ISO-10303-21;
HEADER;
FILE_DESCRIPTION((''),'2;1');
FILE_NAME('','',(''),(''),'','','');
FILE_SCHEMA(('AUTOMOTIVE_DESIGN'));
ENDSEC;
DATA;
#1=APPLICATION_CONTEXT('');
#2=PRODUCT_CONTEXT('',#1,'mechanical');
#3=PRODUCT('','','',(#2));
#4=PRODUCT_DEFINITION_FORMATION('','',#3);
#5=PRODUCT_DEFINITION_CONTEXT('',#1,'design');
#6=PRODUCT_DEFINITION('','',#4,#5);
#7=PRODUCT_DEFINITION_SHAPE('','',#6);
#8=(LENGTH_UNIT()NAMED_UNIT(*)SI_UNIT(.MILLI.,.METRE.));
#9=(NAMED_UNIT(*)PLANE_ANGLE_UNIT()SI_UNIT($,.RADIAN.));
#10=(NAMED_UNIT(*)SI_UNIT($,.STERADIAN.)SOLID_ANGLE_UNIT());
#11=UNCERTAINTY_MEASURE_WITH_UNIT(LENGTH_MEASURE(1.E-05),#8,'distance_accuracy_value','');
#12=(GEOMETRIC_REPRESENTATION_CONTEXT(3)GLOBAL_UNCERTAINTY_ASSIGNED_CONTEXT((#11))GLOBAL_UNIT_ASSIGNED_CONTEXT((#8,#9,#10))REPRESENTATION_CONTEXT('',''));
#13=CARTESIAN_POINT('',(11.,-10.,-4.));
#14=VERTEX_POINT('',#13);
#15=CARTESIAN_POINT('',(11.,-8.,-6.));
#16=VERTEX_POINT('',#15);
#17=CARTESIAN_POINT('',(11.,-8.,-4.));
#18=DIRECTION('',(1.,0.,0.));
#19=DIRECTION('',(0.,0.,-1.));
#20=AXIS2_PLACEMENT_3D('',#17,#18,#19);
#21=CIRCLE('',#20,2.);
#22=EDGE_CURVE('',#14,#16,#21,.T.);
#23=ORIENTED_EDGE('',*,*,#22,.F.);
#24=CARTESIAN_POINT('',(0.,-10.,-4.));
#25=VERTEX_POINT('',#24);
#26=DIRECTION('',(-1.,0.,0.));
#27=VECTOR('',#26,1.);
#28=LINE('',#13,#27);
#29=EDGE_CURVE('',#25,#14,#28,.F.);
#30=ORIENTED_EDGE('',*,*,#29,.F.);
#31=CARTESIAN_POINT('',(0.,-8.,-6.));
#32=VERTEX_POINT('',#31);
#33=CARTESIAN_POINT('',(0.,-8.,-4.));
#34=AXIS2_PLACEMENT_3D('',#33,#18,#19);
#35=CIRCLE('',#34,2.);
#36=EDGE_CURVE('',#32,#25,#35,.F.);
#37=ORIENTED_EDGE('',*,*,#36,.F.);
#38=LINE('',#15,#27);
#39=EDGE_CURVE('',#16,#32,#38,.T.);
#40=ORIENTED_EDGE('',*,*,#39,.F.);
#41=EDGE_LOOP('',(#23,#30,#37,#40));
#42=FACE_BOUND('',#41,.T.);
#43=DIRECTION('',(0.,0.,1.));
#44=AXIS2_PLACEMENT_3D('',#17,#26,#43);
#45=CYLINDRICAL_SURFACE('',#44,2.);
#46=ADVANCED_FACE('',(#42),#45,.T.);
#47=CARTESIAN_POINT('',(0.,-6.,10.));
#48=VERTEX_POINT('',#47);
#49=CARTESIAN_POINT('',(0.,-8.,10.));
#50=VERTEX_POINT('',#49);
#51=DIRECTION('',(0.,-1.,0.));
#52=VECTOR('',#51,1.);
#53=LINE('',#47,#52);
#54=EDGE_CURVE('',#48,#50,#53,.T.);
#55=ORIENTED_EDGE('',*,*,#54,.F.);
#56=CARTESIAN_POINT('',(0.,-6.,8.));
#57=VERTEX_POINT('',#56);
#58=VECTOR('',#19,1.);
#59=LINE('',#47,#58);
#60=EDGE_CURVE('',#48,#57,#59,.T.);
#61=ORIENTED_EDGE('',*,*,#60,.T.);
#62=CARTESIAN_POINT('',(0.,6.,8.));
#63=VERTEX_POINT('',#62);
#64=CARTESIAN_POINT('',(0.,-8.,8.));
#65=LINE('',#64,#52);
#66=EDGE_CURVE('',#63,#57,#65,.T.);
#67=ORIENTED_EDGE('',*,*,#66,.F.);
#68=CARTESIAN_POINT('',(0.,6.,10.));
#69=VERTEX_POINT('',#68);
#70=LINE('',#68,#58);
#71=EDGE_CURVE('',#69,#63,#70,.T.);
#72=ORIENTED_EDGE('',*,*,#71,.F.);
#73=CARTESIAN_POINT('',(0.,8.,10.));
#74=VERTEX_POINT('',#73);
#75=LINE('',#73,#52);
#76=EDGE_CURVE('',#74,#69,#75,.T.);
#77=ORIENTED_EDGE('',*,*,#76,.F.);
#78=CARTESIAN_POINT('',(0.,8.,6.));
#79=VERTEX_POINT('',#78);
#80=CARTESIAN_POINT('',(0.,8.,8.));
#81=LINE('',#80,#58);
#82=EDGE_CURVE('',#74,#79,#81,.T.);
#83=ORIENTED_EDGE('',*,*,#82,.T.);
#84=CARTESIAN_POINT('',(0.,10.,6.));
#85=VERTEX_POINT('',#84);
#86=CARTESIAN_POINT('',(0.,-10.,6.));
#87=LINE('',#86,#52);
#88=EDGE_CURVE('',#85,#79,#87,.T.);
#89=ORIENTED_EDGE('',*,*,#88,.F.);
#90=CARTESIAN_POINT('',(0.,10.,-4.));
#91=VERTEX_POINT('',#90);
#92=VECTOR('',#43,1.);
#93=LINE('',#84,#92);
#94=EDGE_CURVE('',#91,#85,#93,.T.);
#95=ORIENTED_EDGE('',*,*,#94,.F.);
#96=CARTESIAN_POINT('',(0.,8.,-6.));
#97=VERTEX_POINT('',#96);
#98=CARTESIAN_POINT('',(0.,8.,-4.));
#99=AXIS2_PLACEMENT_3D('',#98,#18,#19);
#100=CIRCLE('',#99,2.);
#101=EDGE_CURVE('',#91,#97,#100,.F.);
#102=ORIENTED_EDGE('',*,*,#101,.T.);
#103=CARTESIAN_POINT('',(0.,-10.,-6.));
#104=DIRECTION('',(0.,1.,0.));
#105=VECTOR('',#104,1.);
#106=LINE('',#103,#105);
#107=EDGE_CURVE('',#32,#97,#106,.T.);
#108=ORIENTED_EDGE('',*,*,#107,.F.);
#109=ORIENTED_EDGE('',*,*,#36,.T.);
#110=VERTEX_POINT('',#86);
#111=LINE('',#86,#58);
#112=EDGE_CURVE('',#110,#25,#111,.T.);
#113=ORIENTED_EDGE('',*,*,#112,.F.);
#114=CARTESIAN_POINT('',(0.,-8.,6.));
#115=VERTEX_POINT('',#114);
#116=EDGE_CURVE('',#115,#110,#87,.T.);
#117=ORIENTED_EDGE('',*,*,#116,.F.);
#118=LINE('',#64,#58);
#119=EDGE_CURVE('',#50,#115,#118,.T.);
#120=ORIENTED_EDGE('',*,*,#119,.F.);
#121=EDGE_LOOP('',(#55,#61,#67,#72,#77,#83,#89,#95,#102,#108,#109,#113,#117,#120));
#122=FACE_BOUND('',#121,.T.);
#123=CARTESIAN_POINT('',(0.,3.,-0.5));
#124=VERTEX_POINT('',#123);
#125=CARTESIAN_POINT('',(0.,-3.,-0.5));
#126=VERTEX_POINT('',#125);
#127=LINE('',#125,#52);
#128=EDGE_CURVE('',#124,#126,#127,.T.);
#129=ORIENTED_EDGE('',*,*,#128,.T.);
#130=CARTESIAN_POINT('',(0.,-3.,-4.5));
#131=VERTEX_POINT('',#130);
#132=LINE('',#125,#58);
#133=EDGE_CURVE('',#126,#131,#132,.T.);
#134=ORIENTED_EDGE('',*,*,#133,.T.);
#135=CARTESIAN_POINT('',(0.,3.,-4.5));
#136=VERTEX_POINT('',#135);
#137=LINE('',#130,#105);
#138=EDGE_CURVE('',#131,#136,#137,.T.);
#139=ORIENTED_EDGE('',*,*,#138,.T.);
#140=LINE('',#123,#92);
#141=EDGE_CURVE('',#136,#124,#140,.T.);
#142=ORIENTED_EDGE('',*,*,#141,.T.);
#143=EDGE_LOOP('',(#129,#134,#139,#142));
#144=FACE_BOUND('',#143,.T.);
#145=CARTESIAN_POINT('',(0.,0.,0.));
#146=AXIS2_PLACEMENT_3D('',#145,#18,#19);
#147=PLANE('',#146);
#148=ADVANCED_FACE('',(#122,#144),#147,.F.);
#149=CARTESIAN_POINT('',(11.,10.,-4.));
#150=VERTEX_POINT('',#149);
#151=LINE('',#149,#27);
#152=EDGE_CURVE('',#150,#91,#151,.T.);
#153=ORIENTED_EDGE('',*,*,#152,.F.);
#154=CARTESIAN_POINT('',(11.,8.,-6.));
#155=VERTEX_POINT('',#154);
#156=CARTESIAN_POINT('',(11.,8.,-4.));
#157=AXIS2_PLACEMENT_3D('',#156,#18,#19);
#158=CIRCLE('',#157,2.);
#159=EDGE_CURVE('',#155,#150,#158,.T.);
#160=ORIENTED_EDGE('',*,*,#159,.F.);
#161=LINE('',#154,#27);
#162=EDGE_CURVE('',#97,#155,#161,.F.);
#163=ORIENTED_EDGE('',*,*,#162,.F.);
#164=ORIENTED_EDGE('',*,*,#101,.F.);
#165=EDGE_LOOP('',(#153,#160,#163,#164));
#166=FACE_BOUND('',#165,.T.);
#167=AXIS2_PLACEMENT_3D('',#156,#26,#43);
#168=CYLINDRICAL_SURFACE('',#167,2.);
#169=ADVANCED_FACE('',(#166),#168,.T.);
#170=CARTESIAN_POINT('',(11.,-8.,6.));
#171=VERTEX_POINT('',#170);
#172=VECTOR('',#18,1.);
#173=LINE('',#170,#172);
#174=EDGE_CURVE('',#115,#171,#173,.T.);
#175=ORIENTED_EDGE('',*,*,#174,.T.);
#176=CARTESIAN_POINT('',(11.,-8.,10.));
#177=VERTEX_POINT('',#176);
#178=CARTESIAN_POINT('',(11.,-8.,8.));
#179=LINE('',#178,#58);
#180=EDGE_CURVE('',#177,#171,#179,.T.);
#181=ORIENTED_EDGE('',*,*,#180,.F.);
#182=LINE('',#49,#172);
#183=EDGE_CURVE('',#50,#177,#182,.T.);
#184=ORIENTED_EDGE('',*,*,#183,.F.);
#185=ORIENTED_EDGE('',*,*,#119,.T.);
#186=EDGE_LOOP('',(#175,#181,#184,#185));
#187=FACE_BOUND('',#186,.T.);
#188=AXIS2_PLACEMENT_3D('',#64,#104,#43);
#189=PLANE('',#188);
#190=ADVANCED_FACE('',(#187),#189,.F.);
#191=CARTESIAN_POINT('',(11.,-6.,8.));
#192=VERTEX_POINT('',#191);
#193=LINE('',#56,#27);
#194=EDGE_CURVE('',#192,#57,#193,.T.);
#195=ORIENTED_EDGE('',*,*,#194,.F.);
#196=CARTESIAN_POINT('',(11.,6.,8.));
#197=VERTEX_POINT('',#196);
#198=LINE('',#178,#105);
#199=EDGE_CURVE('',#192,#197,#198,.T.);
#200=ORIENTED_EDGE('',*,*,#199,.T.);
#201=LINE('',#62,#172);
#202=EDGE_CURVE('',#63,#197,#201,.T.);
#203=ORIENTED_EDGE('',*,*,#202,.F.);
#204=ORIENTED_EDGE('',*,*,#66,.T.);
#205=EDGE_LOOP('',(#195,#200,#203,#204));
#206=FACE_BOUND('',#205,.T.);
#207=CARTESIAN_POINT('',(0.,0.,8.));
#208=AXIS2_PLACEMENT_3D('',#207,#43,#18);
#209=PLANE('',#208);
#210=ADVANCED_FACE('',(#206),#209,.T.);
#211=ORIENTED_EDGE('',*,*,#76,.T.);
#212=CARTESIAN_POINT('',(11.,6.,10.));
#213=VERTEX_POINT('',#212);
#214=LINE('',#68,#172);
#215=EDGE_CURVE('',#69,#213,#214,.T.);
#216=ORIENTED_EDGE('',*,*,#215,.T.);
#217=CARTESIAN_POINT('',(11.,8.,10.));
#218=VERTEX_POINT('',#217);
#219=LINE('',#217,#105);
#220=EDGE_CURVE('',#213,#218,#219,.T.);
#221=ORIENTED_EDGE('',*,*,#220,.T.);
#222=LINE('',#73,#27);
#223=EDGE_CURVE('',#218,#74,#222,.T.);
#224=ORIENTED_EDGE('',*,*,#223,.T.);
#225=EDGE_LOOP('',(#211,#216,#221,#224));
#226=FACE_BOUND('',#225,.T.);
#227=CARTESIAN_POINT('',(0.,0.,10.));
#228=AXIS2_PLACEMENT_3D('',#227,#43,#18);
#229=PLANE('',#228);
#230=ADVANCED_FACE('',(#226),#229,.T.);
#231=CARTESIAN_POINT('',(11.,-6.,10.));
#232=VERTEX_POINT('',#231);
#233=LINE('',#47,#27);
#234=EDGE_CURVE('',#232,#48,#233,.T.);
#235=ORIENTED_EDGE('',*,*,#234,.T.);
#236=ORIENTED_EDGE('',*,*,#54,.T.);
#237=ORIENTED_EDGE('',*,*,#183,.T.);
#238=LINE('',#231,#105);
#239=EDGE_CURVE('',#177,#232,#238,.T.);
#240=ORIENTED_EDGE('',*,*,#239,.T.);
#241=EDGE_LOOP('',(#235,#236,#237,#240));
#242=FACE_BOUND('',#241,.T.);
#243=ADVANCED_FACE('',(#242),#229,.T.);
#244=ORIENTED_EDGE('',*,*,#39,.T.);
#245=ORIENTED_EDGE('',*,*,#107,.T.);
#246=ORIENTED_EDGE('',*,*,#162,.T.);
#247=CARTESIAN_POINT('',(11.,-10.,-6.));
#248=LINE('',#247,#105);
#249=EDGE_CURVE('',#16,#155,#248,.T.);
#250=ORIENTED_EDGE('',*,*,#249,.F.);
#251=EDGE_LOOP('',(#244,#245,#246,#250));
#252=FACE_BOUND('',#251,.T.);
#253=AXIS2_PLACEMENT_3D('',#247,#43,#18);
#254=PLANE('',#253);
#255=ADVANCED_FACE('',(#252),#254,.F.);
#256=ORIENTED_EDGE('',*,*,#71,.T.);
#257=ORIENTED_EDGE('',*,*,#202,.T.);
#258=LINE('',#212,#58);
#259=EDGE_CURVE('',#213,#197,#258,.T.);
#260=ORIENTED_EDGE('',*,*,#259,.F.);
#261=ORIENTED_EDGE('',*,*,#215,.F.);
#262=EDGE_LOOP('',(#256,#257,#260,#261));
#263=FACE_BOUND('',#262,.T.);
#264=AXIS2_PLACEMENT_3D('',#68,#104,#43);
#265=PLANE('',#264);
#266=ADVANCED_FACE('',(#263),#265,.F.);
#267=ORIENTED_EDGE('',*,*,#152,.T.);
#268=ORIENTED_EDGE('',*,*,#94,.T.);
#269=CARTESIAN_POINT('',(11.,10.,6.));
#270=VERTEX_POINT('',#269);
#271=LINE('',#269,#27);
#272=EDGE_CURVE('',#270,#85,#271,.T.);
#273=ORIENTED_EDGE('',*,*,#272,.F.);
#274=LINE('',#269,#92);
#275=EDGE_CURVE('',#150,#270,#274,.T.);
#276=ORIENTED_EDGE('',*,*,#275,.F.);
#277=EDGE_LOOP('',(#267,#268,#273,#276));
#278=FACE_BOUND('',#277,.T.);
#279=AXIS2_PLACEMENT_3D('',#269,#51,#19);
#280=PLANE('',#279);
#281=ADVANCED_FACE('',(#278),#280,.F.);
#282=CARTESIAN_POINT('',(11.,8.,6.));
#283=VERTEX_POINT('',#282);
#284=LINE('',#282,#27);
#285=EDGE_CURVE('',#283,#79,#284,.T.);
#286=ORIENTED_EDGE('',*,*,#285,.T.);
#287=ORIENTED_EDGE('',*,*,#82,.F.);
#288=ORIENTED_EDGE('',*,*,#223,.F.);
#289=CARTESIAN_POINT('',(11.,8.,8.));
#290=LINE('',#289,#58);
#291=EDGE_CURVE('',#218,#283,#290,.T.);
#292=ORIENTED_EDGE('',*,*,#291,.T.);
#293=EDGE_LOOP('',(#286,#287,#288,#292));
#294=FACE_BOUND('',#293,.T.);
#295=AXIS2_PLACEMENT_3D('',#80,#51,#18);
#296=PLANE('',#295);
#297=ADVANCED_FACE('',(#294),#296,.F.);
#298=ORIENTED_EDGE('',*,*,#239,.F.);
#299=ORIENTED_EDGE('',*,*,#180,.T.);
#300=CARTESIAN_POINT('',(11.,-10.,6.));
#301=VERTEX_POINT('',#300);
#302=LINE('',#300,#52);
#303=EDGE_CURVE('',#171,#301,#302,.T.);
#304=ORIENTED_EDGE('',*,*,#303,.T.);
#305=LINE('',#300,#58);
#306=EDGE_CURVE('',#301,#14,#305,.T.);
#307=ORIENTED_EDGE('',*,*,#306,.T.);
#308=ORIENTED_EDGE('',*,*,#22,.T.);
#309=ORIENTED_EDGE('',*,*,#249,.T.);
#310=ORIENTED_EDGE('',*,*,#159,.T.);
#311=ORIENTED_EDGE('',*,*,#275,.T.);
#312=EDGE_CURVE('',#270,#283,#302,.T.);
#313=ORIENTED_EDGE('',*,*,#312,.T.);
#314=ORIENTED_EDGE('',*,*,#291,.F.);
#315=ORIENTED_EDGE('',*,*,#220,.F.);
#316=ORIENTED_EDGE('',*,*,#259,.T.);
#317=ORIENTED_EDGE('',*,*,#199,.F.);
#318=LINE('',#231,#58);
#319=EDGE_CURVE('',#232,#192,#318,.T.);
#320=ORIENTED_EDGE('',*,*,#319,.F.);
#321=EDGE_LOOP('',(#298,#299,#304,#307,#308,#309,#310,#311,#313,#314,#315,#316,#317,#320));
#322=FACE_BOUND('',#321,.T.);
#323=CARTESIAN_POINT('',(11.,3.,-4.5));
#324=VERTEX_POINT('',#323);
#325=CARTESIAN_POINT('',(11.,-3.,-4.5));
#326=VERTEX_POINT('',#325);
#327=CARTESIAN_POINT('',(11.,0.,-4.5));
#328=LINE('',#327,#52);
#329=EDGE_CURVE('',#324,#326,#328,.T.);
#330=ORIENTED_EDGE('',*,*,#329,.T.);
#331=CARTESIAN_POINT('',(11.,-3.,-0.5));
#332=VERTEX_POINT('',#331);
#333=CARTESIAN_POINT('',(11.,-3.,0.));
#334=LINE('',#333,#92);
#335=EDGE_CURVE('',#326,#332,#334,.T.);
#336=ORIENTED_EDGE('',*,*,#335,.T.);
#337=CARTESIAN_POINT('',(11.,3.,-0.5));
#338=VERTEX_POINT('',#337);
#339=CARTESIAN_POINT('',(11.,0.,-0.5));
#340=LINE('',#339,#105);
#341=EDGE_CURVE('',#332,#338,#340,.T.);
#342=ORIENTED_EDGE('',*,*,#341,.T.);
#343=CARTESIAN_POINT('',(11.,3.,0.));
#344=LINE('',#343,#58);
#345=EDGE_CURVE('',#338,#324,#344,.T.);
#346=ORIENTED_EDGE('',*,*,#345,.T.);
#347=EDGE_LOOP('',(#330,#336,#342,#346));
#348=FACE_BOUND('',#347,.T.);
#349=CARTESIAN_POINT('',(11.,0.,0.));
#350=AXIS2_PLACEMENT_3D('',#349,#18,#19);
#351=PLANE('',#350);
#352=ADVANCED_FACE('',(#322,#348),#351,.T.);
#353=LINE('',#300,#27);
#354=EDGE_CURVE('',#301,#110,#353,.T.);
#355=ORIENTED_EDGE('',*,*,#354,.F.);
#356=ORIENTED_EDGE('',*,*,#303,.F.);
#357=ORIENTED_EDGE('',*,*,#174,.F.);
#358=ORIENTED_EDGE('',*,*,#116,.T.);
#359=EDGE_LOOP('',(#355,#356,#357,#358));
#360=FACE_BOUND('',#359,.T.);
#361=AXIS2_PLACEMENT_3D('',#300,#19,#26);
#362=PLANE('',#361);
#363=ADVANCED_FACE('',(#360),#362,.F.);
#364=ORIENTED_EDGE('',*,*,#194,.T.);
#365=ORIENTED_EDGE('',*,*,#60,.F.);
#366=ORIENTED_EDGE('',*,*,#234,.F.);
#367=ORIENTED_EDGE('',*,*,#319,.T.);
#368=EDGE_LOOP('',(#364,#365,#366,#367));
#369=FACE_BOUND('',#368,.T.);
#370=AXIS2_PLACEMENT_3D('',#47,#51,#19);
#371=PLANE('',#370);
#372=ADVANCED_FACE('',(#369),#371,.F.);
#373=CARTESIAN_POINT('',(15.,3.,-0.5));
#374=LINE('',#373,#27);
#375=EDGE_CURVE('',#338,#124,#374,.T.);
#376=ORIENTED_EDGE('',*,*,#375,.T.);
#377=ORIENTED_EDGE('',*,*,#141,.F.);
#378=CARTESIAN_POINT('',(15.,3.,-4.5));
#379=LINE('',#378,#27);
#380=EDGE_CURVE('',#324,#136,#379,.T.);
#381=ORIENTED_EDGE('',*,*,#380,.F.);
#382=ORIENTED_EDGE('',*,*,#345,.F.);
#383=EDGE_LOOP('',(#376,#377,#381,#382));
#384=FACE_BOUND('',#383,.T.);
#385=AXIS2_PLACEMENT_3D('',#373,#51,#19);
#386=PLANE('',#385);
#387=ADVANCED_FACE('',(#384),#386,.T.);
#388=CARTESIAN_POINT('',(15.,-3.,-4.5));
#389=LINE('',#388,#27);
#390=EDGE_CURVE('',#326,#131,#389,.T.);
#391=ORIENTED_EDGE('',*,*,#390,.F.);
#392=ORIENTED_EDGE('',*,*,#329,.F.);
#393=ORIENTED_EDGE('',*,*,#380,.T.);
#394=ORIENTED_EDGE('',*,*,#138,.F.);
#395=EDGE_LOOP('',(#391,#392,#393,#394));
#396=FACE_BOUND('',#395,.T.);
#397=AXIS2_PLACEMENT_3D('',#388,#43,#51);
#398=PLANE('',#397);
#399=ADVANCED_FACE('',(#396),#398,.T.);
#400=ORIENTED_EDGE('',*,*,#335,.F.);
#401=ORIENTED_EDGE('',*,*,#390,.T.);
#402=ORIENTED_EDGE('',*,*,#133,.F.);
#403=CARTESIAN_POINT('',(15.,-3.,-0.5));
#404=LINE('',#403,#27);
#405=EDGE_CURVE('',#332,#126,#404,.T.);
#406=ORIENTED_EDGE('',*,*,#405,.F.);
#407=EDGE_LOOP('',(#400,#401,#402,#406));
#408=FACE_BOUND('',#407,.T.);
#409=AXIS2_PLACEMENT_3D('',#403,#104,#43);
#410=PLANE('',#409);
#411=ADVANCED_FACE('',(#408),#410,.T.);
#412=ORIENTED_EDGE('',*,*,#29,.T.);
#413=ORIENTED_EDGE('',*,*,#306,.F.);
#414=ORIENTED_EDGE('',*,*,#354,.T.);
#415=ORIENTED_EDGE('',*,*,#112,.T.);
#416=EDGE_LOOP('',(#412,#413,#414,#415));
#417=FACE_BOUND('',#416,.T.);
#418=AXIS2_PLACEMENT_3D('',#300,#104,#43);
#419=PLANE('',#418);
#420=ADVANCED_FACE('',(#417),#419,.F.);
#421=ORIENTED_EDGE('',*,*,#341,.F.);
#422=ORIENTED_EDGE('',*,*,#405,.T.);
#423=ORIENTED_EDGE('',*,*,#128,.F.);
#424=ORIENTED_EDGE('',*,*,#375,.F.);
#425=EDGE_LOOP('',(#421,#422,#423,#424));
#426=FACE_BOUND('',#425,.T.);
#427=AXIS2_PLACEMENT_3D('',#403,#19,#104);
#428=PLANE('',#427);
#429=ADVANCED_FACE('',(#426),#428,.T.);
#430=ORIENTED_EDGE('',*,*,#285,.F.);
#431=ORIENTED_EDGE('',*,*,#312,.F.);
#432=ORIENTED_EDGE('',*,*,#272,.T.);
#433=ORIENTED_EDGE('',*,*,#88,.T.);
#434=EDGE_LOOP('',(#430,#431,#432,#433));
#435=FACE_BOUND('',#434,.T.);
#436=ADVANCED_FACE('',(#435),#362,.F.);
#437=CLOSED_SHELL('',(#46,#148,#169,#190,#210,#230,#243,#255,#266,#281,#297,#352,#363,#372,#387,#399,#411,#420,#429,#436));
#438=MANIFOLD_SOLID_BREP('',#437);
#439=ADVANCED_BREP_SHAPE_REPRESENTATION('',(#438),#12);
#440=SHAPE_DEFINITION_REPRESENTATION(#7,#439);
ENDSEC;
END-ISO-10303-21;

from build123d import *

# Parameters (mm, degrees)
SKETCH1_W           = 20
SKETCH1_H           = 12
BOSS_EXTRUDE1_DEPTH = 11
SKETCH5_W           = 16
SKETCH5_H           = 11
BOSS_EXTRUDE2_DEPTH = 8
FILLET1_R           = 2
SKETCH7_W           = 6
SKETCH7_H           = 4
CUT_EXTRUDE1_DEPTH  = 15
SKETCH9_W           = 11
SKETCH9_H           = 2
BOSS_EXTRUDE4_DEPTH = 2


with BuildPart() as part:
    # Sketch1 → Boss-Extrude1 (new body)
    with BuildSketch(Plane.YZ):
        Rectangle(SKETCH1_W, SKETCH1_H)
    extrude(amount=BOSS_EXTRUDE1_DEPTH)

    # Sketch5 → Boss-Extrude2 (add)
    with BuildSketch(Plane(origin=(0, 0, 0), x_dir=(0, 1, 0), z_dir=(0, 0, 1))):
        with Locations((0, -5.5)):
            Rectangle(SKETCH5_W, SKETCH5_H)
    extrude(amount=BOSS_EXTRUDE2_DEPTH)

    # Fillet1
    fillet1_edges = [part.edges().sort_by_distance(p)[0] for p in [
        (5.5, 10, -6),
        (5.5, -10, -6),
    ]]
    fillet(fillet1_edges, radius=FILLET1_R)

    # Sketch7 → Cut-Extrude1 (cut)
    with BuildSketch(Plane.YZ):
        with Locations((0, -2.5)):
            Rectangle(SKETCH7_W, SKETCH7_H)
    extrude(amount=CUT_EXTRUDE1_DEPTH, mode=Mode.SUBTRACT)

    # Sketch9 → Boss-Extrude4 (add)
    with BuildSketch(Plane.XY.offset(8)):
        with Locations((5.5, 7)):
            Rectangle(SKETCH9_W, SKETCH9_H)
        with Locations((5.5, -7)):
            Rectangle(SKETCH9_W, SKETCH9_H)
    extrude(amount=BOSS_EXTRUDE4_DEPTH)


solid = part.part
